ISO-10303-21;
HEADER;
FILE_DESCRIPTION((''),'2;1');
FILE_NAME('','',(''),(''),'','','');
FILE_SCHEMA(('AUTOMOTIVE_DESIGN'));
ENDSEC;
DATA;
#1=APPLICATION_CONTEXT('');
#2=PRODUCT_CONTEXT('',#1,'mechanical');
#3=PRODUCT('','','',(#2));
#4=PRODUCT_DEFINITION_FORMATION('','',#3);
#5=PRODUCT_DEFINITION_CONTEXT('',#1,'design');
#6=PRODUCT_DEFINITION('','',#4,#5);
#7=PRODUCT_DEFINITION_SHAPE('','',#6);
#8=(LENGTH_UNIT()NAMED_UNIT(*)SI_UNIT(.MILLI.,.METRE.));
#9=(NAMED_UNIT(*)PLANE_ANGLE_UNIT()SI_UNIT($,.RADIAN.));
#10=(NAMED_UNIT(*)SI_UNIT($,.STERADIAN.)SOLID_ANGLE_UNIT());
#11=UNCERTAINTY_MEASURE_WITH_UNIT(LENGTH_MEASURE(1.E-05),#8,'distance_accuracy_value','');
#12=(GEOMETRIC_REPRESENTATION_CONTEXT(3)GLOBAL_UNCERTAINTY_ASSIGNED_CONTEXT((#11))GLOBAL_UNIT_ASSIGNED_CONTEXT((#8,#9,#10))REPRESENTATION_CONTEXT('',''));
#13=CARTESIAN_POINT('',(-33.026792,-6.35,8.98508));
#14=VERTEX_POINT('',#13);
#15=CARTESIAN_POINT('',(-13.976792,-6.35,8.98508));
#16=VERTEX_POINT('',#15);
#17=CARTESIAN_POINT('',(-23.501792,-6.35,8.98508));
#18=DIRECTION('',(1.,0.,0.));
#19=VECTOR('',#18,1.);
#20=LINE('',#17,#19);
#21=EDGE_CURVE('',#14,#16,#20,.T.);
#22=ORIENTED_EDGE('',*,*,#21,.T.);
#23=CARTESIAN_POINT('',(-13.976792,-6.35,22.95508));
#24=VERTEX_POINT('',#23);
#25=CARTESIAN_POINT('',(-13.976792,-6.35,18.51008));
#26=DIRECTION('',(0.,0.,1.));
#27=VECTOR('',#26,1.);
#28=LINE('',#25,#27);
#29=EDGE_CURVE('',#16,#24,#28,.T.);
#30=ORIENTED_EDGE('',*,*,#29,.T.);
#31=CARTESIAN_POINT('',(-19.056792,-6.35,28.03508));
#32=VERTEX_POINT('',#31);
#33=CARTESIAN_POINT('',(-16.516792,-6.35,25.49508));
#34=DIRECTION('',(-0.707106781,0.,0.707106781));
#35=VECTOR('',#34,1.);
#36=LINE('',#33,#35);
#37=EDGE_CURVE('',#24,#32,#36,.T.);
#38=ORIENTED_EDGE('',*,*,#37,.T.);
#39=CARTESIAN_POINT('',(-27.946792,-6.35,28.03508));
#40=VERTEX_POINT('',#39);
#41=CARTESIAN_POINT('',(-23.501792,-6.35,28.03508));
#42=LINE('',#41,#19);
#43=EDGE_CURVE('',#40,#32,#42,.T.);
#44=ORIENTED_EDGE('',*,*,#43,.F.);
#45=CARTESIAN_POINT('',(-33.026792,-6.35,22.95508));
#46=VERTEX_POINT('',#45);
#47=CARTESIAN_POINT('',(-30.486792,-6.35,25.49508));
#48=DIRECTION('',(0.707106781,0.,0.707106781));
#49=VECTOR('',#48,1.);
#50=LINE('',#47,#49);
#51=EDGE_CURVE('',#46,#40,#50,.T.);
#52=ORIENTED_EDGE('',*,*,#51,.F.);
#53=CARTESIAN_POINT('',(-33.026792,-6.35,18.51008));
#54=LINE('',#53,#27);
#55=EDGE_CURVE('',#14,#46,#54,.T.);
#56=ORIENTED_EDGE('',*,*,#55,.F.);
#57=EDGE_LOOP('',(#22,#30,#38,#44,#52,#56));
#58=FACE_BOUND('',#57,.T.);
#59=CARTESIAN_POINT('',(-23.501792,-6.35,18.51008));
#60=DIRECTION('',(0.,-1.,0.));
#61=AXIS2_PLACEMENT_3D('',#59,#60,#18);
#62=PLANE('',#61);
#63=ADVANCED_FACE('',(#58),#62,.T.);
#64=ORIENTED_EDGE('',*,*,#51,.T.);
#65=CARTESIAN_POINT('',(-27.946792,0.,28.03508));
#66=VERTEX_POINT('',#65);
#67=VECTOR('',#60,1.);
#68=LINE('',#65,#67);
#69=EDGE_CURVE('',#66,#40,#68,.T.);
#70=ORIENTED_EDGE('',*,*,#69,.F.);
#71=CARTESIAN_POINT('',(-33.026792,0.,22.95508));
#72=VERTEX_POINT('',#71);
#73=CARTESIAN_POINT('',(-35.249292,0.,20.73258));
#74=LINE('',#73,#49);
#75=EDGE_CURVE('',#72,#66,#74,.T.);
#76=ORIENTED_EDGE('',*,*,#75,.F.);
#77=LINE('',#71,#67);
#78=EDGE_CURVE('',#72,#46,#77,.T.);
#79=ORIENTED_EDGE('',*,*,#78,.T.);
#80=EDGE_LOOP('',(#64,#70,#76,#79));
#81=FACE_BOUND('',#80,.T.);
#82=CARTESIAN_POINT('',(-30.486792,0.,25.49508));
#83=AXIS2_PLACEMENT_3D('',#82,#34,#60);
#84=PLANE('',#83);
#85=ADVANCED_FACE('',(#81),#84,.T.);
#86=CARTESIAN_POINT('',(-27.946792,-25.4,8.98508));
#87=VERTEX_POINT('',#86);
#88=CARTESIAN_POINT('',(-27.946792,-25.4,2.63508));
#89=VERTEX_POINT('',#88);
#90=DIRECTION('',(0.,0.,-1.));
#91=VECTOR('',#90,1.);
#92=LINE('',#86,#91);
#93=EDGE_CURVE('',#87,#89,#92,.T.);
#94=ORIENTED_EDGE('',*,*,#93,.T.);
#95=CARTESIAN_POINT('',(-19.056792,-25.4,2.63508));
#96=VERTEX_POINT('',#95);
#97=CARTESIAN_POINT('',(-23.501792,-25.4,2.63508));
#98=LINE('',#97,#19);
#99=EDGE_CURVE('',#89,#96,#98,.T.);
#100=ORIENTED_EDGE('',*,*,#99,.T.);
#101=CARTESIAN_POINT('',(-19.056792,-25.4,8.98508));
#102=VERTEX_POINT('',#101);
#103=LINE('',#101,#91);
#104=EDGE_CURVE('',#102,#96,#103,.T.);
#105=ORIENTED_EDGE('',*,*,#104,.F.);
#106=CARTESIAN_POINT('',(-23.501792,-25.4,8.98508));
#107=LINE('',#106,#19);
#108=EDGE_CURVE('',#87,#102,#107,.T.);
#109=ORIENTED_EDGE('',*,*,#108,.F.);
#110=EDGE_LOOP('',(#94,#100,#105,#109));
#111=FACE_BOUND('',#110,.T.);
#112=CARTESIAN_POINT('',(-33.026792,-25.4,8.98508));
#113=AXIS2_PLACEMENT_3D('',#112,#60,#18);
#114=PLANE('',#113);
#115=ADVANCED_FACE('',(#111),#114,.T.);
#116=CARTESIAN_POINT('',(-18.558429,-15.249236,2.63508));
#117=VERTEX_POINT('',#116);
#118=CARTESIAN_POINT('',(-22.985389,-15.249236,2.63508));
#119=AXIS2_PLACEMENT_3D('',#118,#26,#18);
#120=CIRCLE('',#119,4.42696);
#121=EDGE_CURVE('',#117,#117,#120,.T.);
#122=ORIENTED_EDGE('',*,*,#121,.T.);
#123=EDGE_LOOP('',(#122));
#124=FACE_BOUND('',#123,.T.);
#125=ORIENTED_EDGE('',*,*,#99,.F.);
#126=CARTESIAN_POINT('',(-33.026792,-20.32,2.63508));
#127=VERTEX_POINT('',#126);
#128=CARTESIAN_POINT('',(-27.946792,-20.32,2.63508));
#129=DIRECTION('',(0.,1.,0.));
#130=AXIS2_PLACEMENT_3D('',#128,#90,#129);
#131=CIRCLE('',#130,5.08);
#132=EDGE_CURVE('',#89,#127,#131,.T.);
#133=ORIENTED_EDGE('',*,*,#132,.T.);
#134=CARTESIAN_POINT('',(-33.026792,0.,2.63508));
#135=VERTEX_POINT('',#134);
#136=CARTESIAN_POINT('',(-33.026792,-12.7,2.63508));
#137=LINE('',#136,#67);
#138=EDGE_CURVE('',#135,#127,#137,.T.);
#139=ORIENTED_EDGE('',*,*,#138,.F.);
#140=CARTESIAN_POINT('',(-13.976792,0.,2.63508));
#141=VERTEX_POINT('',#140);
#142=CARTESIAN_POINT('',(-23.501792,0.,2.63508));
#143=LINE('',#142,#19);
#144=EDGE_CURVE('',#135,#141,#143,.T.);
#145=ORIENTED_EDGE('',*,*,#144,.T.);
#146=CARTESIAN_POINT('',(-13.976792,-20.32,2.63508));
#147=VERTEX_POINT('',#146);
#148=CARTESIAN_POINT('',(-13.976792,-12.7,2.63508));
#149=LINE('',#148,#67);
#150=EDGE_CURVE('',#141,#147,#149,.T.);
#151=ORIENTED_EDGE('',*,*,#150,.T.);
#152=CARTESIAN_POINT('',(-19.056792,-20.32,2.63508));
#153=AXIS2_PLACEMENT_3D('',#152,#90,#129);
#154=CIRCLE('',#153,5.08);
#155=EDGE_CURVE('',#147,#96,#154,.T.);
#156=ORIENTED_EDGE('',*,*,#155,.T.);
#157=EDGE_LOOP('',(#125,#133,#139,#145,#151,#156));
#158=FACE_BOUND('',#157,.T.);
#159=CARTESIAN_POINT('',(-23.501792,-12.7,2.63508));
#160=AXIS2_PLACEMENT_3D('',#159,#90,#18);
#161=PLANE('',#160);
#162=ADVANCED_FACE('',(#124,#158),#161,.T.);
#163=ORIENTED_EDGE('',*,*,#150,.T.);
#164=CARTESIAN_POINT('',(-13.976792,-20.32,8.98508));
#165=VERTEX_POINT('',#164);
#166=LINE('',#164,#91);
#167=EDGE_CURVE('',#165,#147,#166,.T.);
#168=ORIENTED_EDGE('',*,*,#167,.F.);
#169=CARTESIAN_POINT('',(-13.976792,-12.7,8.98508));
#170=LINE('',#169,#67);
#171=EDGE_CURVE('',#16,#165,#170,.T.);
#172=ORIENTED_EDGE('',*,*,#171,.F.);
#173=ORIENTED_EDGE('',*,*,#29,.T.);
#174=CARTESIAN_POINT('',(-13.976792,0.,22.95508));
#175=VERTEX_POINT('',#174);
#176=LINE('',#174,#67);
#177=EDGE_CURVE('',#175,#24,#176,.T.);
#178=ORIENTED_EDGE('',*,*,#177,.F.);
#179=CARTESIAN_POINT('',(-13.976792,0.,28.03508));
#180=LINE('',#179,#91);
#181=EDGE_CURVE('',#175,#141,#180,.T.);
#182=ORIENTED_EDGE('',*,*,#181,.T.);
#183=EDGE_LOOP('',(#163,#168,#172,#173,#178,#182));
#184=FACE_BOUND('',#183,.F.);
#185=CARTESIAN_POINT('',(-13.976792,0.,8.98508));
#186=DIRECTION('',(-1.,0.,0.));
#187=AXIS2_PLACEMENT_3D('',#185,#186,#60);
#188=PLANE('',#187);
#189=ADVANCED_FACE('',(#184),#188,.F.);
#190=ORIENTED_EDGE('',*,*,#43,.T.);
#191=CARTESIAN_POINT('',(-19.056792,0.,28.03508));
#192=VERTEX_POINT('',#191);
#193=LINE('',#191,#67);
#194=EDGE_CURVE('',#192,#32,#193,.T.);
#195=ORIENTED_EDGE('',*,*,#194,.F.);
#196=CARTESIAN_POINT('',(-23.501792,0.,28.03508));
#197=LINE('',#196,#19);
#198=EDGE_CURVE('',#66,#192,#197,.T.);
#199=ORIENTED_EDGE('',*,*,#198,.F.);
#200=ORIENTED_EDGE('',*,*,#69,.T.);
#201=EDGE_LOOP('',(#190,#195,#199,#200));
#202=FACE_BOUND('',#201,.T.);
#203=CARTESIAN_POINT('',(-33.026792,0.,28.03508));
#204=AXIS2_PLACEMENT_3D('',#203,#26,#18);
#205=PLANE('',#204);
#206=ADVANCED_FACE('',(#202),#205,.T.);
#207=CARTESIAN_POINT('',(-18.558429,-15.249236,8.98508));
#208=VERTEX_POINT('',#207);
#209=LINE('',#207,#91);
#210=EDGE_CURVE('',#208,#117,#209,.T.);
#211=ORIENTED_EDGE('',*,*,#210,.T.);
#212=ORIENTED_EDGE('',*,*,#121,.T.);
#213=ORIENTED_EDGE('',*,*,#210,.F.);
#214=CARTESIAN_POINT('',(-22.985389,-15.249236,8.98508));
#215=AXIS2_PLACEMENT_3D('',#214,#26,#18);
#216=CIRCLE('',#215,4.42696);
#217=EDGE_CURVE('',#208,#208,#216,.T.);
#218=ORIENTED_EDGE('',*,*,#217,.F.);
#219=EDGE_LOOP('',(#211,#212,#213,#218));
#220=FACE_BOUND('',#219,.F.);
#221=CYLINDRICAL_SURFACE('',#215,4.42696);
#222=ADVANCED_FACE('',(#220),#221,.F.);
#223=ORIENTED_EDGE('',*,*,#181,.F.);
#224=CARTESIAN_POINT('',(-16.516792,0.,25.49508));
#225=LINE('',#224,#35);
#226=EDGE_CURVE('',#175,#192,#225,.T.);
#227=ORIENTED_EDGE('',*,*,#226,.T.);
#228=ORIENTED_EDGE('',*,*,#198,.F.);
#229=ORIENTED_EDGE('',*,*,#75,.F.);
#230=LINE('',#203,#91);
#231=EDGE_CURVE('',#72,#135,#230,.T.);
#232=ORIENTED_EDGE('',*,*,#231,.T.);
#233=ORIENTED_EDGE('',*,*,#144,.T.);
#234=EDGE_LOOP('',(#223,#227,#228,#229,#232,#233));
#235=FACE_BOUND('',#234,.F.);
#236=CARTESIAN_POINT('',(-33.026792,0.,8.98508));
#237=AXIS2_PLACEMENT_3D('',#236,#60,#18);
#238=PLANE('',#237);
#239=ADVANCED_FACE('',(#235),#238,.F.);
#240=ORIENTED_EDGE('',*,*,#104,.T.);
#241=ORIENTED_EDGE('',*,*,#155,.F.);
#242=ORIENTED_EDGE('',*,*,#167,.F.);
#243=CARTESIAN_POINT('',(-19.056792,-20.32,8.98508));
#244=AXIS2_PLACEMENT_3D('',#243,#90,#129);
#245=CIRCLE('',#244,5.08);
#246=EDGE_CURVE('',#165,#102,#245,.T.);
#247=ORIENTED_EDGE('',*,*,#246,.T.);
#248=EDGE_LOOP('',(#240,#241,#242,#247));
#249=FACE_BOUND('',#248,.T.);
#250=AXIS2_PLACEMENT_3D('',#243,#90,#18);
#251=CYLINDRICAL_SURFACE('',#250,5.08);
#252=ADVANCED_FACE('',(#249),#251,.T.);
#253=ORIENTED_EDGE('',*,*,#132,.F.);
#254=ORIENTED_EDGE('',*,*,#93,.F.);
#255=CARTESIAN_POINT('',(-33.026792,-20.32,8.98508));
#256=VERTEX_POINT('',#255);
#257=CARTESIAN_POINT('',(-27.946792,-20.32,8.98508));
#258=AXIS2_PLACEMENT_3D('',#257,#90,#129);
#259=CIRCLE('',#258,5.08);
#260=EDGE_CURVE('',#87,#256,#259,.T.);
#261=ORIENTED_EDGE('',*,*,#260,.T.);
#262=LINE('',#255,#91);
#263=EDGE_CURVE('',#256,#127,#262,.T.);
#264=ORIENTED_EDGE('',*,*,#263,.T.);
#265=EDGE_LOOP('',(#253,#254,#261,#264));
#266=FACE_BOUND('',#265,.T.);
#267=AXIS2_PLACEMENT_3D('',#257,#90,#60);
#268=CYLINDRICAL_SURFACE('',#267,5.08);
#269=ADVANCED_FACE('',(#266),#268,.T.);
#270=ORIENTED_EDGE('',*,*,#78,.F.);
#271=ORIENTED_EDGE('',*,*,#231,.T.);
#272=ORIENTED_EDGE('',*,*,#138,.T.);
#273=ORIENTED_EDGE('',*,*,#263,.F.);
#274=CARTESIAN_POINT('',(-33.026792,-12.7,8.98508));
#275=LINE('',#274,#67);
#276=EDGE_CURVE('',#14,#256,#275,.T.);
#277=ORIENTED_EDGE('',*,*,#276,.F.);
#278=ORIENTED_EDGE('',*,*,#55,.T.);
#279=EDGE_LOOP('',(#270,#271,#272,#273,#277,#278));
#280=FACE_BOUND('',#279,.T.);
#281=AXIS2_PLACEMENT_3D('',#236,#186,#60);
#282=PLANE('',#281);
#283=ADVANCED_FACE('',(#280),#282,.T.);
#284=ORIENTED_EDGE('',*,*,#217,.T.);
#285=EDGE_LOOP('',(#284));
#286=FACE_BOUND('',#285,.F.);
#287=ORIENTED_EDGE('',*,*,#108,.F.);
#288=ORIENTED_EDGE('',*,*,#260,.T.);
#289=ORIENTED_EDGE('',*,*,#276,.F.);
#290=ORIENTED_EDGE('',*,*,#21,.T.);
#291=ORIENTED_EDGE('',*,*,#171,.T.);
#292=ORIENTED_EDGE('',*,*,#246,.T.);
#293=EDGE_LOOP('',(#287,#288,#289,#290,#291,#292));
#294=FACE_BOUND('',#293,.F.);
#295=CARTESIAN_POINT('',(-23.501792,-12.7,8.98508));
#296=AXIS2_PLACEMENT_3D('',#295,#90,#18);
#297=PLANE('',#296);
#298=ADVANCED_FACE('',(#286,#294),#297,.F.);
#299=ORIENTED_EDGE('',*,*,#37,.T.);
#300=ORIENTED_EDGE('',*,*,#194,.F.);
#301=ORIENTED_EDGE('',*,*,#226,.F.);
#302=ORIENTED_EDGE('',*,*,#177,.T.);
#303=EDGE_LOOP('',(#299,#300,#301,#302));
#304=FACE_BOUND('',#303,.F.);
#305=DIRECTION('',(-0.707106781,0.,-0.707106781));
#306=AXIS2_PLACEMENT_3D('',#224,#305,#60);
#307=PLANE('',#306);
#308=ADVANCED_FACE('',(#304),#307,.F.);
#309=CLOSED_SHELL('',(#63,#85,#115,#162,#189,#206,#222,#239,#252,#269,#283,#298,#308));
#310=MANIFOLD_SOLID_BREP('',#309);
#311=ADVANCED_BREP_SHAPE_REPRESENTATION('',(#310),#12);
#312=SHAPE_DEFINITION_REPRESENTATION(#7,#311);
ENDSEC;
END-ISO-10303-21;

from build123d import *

# Parameters (mm, degrees)
F0_W     = 19.05
F0_H     = 19.05
F1_DEPTH = 6.35
F2_W     = 19.05
F2_H     = 25.4
F3_DEPTH = 6.35
F4_R     = 5.08
F5_R     = 5.08
F6_SIZE  = 5.08
F7_R     = 4.42696
F8_DEPTH = 6.351


with BuildPart() as f1:
    # F0 (on Front) → F1 (new body)
    with BuildSketch(Plane.XZ):
        with Locations((-23.501792, 18.51008)):
            Rectangle(F0_W, F0_H)
    extrude(amount=F1_DEPTH)

    # F2 (on face) → F3 (join)
    with BuildSketch(Plane(origin=(0, 0, 8.98508), x_dir=(1, 0, 0), z_dir=(0, 0, -1))):
        with Locations((-23.501792, 12.7)):
            Rectangle(F2_W, F2_H)
    extrude(amount=F3_DEPTH)

    # F4
    f4_edges = [f1.edges().sort_by_distance(p)[0] for p in [
        (-13.976792, -25.4, 5.81008),
    ]]
    fillet(f4_edges, radius=F4_R)

    # F5
    f5_edges = [f1.edges().sort_by_distance(p)[0] for p in [
        (-33.026792, -25.4, 5.81008),
    ]]
    fillet(f5_edges, radius=F5_R)

    # F6
    f6_edges = [f1.edges().sort_by_distance(p)[0] for p in [
        (-13.976792, -3.175, 28.03508),
        (-33.026792, -3.175, 28.03508),
    ]]
    chamfer(f6_edges, length=F6_SIZE)

    # F7 (on face) → F8 (cut, through all)
    with BuildSketch(Plane.XY.offset(8.98508)):
        with Locations((-22.985389, -15.249236)):
            Circle(F7_R)
    extrude(amount=-F8_DEPTH, mode=Mode.SUBTRACT)


solid = f1.part
